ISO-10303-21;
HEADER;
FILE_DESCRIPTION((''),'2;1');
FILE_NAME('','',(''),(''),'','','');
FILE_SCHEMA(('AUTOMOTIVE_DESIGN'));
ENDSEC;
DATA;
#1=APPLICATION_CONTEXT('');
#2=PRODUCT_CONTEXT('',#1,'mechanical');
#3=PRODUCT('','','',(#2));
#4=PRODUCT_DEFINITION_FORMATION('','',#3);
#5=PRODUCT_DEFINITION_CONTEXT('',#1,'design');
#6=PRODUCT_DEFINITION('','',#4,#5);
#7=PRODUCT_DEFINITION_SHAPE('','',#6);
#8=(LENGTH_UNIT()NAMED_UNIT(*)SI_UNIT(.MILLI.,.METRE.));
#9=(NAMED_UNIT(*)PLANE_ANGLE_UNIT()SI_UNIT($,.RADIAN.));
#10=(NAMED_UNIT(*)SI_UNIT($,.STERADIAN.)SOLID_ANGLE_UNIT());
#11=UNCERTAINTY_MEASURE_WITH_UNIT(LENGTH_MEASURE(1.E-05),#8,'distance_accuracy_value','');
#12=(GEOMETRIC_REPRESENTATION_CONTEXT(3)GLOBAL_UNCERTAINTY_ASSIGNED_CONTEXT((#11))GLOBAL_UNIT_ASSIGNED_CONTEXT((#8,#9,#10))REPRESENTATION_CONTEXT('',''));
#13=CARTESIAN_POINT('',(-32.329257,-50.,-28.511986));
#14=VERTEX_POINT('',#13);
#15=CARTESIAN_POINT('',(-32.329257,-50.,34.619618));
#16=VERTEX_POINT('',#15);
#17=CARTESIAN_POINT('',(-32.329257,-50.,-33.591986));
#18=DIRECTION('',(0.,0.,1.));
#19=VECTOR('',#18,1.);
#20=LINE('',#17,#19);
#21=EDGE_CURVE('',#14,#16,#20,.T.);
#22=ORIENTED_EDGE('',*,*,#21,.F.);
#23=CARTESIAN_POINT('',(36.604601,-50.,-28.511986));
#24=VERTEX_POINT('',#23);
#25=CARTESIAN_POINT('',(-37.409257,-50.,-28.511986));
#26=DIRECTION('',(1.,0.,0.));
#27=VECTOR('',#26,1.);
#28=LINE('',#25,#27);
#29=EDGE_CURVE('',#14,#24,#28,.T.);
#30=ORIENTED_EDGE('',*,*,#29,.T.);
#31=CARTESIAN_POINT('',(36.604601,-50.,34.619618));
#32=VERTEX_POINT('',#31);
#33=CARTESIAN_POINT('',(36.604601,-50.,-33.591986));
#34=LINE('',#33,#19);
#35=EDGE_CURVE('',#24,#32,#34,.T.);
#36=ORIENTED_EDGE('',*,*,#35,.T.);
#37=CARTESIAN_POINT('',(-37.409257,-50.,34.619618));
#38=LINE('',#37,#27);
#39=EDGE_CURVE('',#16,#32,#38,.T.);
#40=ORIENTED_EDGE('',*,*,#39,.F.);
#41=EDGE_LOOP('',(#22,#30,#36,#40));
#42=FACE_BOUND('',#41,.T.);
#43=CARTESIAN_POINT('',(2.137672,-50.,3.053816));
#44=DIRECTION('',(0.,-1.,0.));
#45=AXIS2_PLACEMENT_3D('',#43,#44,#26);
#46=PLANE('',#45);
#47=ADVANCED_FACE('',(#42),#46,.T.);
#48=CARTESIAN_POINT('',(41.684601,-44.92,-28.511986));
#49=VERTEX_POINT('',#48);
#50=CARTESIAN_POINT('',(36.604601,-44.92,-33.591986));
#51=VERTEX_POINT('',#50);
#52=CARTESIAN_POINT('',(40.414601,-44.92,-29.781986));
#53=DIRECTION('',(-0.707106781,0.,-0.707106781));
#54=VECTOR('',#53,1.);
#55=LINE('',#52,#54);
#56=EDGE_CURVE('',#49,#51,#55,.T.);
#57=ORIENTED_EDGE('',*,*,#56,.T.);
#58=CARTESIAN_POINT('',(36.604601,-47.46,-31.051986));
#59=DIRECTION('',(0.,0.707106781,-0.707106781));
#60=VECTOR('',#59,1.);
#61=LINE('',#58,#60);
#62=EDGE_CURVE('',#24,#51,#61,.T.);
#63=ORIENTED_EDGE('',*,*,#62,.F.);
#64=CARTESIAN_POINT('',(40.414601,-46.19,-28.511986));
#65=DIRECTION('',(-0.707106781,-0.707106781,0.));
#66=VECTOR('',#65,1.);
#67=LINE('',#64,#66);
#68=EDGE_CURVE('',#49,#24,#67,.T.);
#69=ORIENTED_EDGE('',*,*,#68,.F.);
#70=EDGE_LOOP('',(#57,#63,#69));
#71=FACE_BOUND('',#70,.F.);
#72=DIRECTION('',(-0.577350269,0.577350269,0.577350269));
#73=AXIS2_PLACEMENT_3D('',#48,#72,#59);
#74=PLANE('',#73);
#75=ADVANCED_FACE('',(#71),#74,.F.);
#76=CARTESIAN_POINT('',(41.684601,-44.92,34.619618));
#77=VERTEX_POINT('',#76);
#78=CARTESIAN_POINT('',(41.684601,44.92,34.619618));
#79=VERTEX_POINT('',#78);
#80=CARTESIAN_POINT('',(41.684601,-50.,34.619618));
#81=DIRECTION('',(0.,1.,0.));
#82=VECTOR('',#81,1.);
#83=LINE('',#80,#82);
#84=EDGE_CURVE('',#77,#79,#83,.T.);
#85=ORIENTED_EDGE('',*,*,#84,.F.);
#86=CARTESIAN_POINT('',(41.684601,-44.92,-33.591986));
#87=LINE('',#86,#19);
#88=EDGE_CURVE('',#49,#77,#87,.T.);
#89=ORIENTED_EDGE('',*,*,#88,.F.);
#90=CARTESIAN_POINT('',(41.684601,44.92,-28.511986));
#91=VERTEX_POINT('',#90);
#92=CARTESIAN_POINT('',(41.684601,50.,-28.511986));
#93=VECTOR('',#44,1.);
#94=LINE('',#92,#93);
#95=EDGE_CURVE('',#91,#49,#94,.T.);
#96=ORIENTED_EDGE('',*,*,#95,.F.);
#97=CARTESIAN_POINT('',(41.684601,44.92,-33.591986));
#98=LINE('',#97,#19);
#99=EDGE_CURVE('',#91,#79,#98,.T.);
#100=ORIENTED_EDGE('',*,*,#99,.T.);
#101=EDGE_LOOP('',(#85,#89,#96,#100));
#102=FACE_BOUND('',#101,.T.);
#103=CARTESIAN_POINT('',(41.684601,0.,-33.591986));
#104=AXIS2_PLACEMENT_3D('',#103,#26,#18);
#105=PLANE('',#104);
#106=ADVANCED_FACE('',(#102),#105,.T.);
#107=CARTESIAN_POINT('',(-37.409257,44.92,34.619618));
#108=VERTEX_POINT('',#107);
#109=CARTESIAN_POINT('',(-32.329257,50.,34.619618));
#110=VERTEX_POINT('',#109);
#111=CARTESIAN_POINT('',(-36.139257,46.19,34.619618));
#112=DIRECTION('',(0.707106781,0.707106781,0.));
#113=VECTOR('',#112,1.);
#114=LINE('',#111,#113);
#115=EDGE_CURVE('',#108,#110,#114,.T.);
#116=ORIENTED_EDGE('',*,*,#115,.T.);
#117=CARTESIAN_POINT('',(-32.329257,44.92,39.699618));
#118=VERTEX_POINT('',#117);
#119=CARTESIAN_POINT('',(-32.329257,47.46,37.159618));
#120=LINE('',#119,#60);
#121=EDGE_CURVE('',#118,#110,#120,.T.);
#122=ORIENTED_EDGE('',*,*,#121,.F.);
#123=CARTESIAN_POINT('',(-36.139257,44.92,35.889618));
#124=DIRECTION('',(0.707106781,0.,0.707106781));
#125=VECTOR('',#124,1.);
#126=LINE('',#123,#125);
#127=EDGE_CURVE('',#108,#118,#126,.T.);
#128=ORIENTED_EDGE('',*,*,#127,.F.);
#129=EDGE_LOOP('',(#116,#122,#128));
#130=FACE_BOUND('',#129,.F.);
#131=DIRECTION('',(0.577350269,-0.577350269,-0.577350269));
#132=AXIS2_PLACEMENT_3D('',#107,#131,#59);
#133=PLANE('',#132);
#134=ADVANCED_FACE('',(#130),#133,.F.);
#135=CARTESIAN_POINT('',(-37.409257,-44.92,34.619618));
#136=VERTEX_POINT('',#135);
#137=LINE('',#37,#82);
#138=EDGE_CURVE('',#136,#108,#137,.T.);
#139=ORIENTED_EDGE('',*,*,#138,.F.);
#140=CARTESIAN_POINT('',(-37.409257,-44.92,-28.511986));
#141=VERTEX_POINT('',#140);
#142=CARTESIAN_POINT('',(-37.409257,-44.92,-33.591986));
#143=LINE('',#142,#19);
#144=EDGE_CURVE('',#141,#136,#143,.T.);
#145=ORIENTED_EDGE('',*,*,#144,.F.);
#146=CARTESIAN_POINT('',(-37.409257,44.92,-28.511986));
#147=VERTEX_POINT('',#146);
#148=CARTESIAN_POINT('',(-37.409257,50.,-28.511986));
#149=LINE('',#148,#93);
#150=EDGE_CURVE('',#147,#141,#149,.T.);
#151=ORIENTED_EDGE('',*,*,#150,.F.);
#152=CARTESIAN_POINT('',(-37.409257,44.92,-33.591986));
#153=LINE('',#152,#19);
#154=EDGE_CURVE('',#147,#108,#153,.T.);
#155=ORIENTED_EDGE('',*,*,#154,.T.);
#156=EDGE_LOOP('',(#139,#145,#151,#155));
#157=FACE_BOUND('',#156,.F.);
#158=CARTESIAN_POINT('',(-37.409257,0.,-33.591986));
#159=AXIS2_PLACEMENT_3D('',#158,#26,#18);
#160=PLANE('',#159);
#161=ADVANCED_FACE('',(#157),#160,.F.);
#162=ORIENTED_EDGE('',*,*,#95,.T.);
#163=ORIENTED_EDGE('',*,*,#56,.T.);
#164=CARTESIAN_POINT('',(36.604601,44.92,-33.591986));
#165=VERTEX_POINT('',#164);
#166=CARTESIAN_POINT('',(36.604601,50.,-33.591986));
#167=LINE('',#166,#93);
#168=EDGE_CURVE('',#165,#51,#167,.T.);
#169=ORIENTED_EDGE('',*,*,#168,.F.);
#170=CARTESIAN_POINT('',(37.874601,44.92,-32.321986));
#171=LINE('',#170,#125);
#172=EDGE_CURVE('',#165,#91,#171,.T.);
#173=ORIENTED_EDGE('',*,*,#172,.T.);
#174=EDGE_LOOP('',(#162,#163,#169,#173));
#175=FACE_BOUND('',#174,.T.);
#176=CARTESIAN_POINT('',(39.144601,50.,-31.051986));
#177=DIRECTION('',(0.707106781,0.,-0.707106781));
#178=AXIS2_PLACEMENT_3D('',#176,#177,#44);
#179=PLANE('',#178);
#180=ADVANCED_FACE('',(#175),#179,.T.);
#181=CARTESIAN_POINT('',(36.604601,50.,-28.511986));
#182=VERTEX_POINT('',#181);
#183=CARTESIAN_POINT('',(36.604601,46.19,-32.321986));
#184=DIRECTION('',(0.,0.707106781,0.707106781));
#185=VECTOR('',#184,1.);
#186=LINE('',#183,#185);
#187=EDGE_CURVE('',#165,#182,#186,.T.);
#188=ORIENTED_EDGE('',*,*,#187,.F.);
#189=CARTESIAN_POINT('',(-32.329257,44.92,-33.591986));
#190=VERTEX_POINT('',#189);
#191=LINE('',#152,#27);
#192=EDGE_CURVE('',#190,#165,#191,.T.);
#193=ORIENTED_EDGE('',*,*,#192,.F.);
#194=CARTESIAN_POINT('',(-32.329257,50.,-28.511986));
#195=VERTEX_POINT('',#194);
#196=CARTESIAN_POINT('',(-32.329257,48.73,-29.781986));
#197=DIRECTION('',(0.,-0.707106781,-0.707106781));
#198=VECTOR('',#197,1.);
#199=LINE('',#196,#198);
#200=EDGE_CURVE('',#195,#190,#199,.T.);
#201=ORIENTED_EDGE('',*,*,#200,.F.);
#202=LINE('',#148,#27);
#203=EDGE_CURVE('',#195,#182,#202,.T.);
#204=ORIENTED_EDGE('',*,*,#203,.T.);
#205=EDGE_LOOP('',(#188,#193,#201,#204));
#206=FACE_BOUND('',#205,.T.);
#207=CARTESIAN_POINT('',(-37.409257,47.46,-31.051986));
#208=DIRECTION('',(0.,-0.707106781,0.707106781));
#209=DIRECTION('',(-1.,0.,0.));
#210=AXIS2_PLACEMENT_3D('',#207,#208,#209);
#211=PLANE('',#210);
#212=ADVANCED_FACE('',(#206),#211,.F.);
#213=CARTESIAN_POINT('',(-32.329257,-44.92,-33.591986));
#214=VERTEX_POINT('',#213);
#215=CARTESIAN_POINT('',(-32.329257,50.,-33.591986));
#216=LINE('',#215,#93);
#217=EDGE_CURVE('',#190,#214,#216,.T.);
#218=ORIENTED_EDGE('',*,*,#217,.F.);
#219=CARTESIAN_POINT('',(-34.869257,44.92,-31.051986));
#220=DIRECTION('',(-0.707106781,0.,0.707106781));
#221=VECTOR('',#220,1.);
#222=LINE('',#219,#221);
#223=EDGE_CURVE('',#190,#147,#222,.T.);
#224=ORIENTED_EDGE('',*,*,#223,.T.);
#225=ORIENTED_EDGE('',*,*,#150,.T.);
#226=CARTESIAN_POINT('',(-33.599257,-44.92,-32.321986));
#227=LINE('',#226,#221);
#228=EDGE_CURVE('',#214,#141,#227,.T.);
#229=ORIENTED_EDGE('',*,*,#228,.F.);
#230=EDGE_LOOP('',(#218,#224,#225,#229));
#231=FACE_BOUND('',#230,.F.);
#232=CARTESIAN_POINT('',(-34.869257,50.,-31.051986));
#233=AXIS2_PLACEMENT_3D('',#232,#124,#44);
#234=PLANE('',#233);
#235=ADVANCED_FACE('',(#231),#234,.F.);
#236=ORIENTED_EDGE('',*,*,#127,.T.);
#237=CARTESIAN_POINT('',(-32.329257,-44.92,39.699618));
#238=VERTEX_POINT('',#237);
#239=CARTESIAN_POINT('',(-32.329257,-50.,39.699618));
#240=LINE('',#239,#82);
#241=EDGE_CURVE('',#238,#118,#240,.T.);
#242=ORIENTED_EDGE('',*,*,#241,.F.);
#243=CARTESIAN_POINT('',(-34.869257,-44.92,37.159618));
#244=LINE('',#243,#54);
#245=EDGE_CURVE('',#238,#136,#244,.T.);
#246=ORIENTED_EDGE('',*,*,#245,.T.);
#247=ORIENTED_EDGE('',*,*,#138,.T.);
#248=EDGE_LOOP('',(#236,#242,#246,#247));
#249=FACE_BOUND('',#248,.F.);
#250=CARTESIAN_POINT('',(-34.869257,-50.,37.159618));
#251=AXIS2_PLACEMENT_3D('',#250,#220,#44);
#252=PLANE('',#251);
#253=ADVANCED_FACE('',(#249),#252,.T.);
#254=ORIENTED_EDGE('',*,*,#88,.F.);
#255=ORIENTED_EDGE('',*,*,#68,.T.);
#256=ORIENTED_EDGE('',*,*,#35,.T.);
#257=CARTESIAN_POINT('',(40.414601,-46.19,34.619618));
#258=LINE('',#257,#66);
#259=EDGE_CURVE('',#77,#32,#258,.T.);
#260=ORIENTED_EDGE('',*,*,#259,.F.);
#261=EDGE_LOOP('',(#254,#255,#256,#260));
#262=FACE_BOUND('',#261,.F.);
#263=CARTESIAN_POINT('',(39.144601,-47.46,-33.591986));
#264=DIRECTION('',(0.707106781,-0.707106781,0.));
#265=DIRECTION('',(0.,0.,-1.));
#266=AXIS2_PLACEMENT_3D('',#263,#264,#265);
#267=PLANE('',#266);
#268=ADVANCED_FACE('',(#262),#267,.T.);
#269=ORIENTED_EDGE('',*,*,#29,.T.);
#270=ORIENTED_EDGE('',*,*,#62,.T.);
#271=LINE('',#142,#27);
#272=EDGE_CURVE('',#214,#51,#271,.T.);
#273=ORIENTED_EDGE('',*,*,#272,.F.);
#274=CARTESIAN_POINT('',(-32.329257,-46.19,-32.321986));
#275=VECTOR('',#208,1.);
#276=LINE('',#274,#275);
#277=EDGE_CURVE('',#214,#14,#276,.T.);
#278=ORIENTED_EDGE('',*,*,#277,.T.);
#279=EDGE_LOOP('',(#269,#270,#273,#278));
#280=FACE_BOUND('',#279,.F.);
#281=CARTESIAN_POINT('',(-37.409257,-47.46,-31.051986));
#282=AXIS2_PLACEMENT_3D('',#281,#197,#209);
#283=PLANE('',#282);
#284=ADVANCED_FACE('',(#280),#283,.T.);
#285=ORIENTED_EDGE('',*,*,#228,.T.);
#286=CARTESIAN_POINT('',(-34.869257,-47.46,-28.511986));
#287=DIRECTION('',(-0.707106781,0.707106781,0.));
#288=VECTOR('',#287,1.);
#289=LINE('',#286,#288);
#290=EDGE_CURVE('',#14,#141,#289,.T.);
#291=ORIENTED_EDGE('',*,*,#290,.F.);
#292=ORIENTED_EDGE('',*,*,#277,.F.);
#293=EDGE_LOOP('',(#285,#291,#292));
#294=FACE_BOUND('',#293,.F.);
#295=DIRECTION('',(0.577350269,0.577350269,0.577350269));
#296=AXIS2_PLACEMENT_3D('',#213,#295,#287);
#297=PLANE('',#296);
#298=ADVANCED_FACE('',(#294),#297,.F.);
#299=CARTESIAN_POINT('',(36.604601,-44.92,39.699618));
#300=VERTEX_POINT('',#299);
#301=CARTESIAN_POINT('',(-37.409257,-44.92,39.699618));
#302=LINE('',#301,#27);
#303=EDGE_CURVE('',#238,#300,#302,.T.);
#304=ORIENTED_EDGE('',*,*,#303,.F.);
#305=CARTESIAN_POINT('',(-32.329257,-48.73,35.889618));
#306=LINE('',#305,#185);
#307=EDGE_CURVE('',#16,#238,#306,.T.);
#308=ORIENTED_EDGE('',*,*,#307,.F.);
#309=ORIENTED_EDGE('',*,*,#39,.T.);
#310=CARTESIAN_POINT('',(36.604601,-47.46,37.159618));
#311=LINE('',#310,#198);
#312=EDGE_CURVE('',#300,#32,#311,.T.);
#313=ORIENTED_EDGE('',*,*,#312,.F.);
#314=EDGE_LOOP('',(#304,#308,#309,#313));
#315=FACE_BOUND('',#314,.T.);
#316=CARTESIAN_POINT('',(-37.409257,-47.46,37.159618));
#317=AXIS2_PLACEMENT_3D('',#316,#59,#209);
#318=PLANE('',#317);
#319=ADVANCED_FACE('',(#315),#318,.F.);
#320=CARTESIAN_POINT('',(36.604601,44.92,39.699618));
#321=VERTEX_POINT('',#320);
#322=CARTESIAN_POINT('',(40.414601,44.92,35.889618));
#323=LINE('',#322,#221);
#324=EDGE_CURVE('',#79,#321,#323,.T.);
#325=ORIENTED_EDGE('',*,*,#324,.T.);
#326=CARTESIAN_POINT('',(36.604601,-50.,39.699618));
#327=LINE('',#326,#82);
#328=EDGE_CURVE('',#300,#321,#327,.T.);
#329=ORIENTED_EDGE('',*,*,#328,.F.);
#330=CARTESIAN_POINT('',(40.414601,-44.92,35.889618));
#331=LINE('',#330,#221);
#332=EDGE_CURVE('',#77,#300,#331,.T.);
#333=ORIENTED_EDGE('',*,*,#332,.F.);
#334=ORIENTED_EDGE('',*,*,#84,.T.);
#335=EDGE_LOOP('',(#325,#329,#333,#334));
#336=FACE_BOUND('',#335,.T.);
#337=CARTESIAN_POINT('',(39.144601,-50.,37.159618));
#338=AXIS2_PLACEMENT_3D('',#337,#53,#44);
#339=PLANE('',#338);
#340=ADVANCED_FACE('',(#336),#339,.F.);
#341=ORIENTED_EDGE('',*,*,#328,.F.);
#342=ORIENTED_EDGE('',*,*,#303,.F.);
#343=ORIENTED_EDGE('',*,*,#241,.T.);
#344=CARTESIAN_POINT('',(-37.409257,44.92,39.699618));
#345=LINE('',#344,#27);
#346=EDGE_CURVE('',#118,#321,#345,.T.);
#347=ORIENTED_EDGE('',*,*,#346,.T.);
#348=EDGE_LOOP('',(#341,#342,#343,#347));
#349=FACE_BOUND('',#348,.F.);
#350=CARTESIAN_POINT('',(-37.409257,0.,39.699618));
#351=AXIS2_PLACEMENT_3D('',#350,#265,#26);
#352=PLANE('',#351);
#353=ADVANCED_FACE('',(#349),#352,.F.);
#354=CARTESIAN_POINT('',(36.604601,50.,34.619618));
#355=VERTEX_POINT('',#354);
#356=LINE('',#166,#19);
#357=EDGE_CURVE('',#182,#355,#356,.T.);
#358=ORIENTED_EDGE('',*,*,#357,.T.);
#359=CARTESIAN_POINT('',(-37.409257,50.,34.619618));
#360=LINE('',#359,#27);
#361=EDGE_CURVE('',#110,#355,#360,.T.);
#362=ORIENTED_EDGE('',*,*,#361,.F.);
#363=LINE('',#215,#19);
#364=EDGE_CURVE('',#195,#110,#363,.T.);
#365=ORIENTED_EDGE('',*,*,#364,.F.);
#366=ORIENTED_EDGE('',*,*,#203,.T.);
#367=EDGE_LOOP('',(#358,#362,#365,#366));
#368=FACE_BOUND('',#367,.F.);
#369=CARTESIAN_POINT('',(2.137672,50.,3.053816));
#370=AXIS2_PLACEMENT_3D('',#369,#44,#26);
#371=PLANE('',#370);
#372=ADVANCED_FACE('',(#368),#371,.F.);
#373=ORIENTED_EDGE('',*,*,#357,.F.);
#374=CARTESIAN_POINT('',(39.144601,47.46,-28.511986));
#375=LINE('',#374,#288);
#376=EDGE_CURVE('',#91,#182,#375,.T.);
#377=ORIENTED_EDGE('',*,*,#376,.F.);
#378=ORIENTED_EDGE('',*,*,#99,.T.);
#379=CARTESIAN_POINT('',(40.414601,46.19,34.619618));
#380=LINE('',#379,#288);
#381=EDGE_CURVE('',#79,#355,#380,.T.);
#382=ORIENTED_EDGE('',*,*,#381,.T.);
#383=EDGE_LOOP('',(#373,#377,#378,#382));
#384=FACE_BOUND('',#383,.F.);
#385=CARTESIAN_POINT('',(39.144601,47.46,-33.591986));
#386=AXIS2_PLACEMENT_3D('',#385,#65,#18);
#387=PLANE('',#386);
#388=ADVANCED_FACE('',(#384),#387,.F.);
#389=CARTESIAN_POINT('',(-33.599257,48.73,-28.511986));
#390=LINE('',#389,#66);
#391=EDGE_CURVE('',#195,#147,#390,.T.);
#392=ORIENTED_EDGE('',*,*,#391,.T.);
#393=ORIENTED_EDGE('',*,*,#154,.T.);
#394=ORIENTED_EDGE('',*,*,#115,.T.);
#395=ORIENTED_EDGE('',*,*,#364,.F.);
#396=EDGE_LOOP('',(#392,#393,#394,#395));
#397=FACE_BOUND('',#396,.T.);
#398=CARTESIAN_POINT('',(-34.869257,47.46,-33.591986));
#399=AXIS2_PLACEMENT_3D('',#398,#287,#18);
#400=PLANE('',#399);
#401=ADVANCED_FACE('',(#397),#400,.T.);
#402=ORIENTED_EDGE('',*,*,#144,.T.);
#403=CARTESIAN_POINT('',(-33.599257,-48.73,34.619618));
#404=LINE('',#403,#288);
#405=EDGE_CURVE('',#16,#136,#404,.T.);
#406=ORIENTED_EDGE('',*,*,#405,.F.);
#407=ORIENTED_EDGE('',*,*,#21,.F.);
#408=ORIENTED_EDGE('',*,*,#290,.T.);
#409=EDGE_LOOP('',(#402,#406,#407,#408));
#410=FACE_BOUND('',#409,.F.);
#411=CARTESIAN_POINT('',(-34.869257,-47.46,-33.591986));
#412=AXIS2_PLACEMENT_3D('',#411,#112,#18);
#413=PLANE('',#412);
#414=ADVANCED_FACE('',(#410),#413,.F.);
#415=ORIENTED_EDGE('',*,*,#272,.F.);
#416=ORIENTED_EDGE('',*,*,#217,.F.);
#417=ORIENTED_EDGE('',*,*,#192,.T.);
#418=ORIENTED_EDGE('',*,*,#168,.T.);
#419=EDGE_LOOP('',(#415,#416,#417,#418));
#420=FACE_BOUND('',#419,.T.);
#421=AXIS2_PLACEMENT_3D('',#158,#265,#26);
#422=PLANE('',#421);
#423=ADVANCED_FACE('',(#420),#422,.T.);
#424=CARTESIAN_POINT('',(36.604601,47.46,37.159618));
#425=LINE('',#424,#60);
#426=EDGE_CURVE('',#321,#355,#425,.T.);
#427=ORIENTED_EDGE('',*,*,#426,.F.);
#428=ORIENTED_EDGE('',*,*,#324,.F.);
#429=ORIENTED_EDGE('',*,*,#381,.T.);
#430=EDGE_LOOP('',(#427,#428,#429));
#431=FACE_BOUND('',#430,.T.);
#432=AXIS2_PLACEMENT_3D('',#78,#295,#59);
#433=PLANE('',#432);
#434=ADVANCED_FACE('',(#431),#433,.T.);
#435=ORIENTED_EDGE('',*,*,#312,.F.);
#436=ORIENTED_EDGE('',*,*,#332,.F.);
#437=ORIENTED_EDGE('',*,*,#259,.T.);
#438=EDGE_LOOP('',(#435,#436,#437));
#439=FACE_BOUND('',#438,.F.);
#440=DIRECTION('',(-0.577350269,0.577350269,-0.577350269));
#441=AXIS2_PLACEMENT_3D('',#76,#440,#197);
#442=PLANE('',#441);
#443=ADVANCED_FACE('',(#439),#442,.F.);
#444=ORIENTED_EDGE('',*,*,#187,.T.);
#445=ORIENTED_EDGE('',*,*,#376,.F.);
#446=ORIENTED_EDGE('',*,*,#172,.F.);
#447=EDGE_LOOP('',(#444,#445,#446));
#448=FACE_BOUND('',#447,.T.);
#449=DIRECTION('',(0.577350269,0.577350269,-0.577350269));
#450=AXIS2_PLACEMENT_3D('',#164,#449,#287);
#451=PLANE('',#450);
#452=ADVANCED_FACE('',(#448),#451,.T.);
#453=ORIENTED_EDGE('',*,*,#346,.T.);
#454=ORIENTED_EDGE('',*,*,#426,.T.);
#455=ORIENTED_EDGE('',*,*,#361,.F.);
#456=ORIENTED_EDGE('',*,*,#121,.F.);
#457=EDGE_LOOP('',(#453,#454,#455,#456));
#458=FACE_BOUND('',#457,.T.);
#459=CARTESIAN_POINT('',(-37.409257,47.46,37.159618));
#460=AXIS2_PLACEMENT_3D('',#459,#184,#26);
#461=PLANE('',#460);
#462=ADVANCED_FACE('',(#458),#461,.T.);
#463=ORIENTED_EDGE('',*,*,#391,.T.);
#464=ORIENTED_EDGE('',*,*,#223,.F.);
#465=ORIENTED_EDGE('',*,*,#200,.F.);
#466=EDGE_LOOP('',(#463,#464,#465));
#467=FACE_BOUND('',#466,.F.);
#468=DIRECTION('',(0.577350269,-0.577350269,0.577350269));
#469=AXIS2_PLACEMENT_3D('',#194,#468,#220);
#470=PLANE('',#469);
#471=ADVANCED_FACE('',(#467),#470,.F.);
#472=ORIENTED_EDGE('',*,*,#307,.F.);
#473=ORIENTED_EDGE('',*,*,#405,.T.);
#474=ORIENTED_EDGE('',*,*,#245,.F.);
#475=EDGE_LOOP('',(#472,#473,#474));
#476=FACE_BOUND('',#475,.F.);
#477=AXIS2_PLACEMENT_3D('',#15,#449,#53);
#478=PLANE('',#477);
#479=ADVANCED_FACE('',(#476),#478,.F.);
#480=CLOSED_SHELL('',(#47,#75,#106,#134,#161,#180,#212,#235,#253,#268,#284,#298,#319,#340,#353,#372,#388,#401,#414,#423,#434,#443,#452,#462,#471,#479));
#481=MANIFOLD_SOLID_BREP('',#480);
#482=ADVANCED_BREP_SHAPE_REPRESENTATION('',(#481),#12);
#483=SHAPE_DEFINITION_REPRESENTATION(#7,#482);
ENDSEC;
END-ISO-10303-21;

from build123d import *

# Parameters (mm, degrees)
F0_W     = 79.093858
F0_H     = 73.291604
F1_DEPTH = 50
F2_SIZE  = 5.08


with BuildPart() as f1:
    # F0 (on Front) → F1 (new body, symmetric)
    with BuildSketch(Plane.XZ):
        with Locations((2.137672, 3.053816)):
            Rectangle(F0_W, F0_H)
    extrude(amount=F1_DEPTH, both=True)

    # F2
    f2_edges = [f1.edges().sort_by_distance(p)[0] for p in [
        (2.137672, 50, 39.699618),
        (-37.409257, 0, 39.699618),
        (2.137672, -50, 39.699618),
        (41.684601, 0, 39.699618),
        (-37.409257, -50, 3.053816),
        (2.137672, -50, -33.591986),
        (41.684601, -50, 3.053816),
        (41.684601, 50, 3.053816),
        (41.684601, 0, -33.591986),
        (-37.409257, 0, -33.591986),
        (2.137672, 50, -33.591986),
        (-37.409257, 50, 3.053816),
    ]]
    chamfer(f2_edges, length=F2_SIZE)


solid = f1.part
